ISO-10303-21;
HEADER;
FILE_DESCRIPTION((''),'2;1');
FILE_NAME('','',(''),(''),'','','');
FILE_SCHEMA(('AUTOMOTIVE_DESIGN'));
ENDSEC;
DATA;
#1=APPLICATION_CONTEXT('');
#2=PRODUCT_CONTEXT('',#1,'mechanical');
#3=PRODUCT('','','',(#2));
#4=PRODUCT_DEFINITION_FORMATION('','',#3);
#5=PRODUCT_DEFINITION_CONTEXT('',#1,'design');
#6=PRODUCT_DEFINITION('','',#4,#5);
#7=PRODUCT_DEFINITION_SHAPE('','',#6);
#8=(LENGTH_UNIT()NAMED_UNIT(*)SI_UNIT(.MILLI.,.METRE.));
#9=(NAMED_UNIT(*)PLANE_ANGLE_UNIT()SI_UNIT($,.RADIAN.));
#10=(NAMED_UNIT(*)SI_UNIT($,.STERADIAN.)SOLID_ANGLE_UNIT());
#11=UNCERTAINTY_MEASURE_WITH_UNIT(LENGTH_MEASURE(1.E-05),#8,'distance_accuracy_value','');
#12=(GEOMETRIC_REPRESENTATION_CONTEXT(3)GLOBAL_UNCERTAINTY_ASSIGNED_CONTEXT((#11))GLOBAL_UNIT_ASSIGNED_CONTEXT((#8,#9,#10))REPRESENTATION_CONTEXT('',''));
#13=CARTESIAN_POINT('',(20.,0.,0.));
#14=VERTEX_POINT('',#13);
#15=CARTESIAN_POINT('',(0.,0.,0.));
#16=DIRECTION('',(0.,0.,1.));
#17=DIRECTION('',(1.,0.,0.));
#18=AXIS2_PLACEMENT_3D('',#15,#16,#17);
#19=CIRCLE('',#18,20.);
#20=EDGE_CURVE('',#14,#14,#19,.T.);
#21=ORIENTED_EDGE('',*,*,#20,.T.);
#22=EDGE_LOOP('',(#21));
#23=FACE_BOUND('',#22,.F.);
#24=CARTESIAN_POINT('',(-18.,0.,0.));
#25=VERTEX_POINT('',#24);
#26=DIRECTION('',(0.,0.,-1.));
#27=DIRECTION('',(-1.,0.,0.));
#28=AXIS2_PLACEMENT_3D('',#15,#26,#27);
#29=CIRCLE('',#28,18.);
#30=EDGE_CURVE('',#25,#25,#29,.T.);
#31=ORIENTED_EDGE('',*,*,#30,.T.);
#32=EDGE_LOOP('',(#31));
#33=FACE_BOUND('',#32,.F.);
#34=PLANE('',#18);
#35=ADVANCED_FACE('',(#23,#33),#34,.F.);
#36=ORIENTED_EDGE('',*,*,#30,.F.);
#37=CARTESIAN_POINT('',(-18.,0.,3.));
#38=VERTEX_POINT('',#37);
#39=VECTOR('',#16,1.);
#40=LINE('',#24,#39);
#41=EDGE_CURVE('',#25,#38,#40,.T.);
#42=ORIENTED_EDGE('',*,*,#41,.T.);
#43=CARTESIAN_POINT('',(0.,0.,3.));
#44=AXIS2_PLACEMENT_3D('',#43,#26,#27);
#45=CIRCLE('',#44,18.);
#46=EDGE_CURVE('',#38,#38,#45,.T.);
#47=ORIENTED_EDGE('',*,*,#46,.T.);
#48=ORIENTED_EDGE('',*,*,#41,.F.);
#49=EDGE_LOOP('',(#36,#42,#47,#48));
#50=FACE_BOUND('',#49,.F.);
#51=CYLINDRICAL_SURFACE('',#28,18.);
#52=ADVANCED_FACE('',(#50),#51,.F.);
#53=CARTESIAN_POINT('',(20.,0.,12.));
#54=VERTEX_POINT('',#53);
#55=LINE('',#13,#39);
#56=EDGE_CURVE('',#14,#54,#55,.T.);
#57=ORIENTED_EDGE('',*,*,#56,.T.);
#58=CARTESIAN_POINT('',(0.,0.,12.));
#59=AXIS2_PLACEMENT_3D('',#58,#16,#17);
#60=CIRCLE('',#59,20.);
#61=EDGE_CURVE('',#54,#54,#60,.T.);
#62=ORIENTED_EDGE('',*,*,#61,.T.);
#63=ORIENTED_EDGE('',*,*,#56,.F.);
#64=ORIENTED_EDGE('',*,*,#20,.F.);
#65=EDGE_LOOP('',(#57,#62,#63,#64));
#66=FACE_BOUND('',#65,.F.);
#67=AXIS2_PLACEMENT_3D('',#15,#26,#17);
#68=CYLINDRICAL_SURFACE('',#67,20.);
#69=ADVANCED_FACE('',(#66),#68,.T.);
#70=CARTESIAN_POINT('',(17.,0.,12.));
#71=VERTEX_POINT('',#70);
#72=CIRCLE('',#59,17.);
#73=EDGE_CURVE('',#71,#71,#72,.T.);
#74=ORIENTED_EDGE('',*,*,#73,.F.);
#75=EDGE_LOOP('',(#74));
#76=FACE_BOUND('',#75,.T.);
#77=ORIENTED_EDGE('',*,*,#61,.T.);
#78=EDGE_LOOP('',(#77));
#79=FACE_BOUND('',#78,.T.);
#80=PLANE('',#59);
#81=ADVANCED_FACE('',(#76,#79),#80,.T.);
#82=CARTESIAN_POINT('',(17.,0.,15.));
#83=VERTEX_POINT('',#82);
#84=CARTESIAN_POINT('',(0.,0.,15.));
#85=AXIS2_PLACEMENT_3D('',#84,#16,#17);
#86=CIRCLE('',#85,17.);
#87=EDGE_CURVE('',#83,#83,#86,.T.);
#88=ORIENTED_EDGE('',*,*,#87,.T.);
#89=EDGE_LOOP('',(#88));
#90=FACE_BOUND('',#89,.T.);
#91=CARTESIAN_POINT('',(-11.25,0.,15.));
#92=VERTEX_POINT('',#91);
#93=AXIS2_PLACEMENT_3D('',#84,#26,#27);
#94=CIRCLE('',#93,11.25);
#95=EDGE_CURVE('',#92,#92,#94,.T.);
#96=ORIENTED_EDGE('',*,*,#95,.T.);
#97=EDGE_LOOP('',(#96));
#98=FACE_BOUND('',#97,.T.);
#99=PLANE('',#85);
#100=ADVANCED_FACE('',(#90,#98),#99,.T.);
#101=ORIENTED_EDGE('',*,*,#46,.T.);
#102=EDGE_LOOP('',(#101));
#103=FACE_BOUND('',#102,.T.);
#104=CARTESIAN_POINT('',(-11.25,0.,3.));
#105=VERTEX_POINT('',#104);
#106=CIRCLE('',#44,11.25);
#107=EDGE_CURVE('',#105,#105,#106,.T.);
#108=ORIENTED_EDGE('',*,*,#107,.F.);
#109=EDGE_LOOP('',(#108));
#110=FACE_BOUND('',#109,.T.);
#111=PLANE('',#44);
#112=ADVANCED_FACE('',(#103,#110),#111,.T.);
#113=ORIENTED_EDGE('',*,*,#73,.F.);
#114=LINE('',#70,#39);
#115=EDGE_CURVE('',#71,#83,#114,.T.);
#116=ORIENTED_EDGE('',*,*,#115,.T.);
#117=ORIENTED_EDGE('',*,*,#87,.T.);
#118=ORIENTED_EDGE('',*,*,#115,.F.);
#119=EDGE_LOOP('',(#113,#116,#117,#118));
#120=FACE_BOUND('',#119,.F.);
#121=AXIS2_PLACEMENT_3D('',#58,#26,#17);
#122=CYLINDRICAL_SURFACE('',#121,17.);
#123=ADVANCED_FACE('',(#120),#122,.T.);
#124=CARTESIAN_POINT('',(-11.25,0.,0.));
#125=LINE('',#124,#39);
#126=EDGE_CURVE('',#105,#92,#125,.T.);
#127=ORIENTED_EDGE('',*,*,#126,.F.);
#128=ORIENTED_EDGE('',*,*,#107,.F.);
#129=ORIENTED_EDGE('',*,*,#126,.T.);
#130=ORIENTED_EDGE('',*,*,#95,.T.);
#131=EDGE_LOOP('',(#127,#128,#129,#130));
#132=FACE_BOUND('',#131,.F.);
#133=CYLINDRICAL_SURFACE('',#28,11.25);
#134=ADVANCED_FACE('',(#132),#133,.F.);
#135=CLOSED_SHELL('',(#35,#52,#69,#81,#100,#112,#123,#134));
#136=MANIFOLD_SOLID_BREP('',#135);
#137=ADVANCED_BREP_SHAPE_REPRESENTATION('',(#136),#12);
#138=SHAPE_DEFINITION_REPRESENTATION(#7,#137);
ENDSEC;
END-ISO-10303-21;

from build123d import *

# Parameters (mm, degrees)
SKETCH_1_R          = 20
EXTRUDE_1_DEPTH     = 18
CUT_EXTRUDE_START   = -3
SKETCH_2_R          = 20
CUT_EXTRUDE_1_DEPTH = 3
SKETCH_5_R          = 20
SKETCH_5_R_2        = 17
CUT_EXTRUDE_4_DEPTH = 3
SKETCH_6_R          = 11.25
CUT_EXTRUDE_5_DEPTH = 50
SKETCH_7_R          = 18
CUT_EXTRUDE_6_DEPTH = 3


with BuildPart() as part:
    # 草图1 → 拉伸1 (new body)
    with BuildSketch(Plane.XY):
        Circle(SKETCH_1_R)
    extrude(amount=EXTRUDE_1_DEPTH)

    # 草图2 → 切除-拉伸1 (cut)
    with BuildSketch(Plane.XY.offset(18).offset(CUT_EXTRUDE_START)):
        Circle(SKETCH_2_R)
    extrude(amount=CUT_EXTRUDE_1_DEPTH, mode=Mode.SUBTRACT)

    # 草图5 → 切除-拉伸4 (cut)
    with BuildSketch(Plane.XY.offset(15).offset(CUT_EXTRUDE_START)):
        Circle(SKETCH_5_R)
        Circle(SKETCH_5_R_2, mode=Mode.SUBTRACT)
    extrude(amount=CUT_EXTRUDE_4_DEPTH, mode=Mode.SUBTRACT)

    # 草图6 → 切除-拉伸5 (cut)
    with BuildSketch(Plane(origin=(0, 0, 0), x_dir=(-1, 0, 0), z_dir=(0, 0, -1))):
        Circle(SKETCH_6_R)
    extrude(amount=-CUT_EXTRUDE_5_DEPTH, mode=Mode.SUBTRACT)

    # 草图7 → 切除-拉伸6 (cut)
    with BuildSketch(Plane(origin=(0, 0, 0), x_dir=(-1, 0, 0), z_dir=(0, 0, -1))):
        Circle(SKETCH_7_R)
    extrude(amount=-CUT_EXTRUDE_6_DEPTH, mode=Mode.SUBTRACT)


solid = part.part
